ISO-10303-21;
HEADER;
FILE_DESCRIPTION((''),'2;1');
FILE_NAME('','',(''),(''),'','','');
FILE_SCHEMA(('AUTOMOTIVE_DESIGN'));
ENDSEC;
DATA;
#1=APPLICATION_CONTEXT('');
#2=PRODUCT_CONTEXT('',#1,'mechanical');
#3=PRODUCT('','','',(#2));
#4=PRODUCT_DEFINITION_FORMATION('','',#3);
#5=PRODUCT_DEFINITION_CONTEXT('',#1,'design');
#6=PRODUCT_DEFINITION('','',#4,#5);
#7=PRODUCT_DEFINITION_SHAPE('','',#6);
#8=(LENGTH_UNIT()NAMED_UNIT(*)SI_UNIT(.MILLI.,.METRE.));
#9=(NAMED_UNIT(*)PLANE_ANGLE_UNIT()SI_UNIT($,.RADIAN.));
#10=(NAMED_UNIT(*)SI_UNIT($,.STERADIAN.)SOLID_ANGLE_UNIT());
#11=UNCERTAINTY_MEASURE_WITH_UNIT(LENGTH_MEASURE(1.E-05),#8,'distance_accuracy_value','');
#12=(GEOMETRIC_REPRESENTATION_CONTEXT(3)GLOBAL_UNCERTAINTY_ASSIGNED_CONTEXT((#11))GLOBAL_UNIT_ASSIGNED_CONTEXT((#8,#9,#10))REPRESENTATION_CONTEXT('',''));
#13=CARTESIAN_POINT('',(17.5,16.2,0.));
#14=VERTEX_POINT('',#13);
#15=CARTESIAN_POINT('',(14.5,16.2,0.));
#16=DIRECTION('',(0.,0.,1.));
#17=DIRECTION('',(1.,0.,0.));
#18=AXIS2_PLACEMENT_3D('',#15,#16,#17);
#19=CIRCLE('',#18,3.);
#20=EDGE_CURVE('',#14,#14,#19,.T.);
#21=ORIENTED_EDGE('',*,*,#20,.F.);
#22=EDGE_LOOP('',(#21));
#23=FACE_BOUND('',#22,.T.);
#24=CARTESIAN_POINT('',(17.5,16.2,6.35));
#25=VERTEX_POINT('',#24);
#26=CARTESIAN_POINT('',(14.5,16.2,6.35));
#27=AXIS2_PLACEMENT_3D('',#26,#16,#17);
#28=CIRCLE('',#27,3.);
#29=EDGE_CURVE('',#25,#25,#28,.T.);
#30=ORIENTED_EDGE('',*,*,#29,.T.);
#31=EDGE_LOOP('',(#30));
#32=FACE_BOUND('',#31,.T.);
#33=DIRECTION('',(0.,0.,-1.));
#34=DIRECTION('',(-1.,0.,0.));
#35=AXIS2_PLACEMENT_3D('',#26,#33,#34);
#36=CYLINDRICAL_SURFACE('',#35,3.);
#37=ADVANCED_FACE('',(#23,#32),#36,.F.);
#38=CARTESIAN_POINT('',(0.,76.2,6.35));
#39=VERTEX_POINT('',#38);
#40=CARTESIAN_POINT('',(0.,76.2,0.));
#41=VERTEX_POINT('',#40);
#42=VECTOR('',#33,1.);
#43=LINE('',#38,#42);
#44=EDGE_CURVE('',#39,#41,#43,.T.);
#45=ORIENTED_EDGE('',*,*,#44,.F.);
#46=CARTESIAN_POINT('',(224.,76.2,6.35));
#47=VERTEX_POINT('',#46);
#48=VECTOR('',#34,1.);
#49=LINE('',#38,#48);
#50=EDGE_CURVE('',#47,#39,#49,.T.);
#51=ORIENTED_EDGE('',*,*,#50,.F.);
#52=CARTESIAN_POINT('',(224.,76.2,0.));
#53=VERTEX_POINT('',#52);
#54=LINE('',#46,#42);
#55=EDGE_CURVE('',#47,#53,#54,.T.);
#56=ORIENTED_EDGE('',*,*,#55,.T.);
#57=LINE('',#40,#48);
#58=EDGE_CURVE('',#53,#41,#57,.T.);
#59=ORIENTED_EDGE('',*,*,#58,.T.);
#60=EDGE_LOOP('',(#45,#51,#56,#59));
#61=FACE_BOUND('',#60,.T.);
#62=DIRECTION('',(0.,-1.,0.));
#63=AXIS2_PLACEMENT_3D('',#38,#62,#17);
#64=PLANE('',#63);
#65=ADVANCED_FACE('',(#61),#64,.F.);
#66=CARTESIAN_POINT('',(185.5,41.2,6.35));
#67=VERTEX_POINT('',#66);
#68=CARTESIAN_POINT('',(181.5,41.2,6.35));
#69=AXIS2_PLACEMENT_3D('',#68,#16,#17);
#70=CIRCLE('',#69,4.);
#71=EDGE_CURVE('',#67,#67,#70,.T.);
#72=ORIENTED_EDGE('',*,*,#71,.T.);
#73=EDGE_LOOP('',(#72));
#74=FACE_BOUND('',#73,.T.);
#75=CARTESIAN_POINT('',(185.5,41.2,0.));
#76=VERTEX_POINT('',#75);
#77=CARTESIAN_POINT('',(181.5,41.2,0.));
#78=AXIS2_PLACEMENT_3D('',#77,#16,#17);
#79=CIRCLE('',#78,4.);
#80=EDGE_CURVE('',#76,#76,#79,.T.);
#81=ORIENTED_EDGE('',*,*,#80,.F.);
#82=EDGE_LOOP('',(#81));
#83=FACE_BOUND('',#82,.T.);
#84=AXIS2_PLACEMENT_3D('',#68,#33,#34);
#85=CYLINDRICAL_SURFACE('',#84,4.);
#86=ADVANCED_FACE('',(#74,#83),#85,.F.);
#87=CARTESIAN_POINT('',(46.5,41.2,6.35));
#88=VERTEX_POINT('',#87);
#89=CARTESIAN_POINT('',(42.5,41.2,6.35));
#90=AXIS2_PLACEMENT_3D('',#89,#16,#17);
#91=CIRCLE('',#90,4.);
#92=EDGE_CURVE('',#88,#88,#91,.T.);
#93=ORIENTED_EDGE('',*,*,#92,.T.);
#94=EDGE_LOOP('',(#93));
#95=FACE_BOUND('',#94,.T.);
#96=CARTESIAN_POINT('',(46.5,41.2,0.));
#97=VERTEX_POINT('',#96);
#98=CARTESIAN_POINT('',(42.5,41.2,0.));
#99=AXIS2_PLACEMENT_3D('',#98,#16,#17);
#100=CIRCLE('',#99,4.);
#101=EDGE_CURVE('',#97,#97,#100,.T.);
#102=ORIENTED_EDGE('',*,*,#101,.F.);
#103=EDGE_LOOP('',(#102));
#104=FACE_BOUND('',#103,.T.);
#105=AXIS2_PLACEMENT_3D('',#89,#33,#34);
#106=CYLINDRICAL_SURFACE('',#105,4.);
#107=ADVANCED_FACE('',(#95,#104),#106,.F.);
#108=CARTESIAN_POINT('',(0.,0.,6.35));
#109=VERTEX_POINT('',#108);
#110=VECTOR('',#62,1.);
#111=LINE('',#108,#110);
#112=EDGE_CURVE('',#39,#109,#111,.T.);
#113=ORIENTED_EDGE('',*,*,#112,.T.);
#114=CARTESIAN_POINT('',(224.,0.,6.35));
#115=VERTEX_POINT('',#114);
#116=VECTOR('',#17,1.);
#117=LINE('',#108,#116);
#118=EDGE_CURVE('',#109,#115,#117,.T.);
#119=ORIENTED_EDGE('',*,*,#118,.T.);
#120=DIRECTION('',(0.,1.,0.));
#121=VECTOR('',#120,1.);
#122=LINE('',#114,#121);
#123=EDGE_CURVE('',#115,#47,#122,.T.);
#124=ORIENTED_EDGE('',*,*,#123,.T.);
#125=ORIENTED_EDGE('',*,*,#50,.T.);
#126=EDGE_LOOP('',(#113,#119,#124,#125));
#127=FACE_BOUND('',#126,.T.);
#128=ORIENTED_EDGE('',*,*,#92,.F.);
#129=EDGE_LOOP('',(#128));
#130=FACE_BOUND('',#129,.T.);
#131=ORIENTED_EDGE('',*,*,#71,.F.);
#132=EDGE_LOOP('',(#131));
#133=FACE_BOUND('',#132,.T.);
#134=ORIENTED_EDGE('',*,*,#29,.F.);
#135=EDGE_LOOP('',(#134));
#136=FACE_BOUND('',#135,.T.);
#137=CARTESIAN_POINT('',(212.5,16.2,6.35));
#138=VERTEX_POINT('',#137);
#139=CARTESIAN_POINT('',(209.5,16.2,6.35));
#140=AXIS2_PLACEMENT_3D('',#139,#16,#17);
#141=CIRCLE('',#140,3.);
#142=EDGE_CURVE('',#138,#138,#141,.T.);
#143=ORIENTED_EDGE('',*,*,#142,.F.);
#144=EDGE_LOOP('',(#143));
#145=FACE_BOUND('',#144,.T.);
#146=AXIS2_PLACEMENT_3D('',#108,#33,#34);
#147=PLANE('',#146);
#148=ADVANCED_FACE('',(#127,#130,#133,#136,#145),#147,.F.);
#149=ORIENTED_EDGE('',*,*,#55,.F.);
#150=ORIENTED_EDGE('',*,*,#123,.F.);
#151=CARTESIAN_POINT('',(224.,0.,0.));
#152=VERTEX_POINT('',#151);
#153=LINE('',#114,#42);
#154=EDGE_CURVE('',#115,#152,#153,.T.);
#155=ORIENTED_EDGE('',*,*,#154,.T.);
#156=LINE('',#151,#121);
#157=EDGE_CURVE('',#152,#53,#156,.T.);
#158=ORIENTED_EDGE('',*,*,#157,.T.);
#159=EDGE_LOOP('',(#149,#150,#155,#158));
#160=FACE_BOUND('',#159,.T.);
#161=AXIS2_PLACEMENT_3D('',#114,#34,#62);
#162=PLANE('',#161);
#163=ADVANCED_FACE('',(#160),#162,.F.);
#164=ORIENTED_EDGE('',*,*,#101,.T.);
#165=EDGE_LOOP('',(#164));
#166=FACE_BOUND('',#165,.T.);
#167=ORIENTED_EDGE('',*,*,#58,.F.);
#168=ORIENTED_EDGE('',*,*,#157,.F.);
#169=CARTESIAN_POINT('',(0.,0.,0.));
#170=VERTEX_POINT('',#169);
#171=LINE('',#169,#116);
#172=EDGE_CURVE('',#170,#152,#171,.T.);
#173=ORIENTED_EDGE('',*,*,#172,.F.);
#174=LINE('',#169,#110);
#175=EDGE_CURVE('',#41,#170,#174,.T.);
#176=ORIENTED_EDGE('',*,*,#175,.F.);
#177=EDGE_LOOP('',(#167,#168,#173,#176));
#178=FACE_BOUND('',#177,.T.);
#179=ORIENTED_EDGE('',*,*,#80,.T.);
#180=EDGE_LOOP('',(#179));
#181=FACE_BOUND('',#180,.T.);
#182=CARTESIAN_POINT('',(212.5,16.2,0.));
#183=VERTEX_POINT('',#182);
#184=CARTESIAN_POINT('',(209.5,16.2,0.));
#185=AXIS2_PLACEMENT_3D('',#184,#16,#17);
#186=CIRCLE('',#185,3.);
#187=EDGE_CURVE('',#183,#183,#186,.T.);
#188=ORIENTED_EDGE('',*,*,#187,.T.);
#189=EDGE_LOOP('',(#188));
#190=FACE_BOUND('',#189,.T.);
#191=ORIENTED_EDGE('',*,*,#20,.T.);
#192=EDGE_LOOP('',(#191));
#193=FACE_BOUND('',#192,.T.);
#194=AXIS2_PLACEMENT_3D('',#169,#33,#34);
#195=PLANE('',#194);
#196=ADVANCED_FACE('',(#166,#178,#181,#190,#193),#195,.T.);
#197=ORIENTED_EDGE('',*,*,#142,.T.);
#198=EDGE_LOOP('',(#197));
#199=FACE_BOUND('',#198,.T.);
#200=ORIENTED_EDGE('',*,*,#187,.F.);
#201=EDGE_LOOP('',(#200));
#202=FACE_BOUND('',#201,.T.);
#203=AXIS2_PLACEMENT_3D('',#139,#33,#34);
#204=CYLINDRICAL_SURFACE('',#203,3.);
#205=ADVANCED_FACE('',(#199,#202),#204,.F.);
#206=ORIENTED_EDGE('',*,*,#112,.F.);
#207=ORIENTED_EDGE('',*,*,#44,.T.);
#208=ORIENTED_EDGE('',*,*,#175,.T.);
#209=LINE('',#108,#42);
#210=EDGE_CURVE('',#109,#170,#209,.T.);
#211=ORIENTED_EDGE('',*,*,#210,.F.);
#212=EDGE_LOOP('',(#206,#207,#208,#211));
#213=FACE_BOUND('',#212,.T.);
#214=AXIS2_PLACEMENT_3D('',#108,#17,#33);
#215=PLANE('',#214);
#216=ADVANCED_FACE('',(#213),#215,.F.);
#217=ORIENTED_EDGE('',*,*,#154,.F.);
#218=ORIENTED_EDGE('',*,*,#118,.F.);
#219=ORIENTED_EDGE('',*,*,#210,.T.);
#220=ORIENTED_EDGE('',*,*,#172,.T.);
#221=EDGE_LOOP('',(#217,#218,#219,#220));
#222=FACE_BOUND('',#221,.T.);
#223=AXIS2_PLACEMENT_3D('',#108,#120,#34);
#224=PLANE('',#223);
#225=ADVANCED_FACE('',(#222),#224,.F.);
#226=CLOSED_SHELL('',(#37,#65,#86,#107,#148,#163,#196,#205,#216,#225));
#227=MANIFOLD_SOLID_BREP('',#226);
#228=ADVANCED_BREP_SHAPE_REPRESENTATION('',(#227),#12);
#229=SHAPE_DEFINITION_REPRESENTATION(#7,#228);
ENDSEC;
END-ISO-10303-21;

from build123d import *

# Parameters (mm, degrees)
SKETCH1_W           = 224
SKETCH1_H           = 76.2
SKETCH1_R           = 4
SKETCH1_R_2         = 3
BOSS_EXTRUDE1_DEPTH = 6.35


with BuildPart() as part:
    # Sketch1 → Boss-Extrude1 (new body)
    with BuildSketch(Plane.XY):
        with Locations((112, 38.1)):
            Rectangle(SKETCH1_W, SKETCH1_H)
        with Locations((42.5, 41.2)):
            Circle(SKETCH1_R, mode=Mode.SUBTRACT)
        with Locations((181.5, 41.2)):
            Circle(SKETCH1_R, mode=Mode.SUBTRACT)
        with Locations((14.5, 16.2)):
            Circle(SKETCH1_R_2, mode=Mode.SUBTRACT)
        with Locations((209.5, 16.2)):
            Circle(SKETCH1_R_2, mode=Mode.SUBTRACT)
    extrude(amount=BOSS_EXTRUDE1_DEPTH)


solid = part.part
